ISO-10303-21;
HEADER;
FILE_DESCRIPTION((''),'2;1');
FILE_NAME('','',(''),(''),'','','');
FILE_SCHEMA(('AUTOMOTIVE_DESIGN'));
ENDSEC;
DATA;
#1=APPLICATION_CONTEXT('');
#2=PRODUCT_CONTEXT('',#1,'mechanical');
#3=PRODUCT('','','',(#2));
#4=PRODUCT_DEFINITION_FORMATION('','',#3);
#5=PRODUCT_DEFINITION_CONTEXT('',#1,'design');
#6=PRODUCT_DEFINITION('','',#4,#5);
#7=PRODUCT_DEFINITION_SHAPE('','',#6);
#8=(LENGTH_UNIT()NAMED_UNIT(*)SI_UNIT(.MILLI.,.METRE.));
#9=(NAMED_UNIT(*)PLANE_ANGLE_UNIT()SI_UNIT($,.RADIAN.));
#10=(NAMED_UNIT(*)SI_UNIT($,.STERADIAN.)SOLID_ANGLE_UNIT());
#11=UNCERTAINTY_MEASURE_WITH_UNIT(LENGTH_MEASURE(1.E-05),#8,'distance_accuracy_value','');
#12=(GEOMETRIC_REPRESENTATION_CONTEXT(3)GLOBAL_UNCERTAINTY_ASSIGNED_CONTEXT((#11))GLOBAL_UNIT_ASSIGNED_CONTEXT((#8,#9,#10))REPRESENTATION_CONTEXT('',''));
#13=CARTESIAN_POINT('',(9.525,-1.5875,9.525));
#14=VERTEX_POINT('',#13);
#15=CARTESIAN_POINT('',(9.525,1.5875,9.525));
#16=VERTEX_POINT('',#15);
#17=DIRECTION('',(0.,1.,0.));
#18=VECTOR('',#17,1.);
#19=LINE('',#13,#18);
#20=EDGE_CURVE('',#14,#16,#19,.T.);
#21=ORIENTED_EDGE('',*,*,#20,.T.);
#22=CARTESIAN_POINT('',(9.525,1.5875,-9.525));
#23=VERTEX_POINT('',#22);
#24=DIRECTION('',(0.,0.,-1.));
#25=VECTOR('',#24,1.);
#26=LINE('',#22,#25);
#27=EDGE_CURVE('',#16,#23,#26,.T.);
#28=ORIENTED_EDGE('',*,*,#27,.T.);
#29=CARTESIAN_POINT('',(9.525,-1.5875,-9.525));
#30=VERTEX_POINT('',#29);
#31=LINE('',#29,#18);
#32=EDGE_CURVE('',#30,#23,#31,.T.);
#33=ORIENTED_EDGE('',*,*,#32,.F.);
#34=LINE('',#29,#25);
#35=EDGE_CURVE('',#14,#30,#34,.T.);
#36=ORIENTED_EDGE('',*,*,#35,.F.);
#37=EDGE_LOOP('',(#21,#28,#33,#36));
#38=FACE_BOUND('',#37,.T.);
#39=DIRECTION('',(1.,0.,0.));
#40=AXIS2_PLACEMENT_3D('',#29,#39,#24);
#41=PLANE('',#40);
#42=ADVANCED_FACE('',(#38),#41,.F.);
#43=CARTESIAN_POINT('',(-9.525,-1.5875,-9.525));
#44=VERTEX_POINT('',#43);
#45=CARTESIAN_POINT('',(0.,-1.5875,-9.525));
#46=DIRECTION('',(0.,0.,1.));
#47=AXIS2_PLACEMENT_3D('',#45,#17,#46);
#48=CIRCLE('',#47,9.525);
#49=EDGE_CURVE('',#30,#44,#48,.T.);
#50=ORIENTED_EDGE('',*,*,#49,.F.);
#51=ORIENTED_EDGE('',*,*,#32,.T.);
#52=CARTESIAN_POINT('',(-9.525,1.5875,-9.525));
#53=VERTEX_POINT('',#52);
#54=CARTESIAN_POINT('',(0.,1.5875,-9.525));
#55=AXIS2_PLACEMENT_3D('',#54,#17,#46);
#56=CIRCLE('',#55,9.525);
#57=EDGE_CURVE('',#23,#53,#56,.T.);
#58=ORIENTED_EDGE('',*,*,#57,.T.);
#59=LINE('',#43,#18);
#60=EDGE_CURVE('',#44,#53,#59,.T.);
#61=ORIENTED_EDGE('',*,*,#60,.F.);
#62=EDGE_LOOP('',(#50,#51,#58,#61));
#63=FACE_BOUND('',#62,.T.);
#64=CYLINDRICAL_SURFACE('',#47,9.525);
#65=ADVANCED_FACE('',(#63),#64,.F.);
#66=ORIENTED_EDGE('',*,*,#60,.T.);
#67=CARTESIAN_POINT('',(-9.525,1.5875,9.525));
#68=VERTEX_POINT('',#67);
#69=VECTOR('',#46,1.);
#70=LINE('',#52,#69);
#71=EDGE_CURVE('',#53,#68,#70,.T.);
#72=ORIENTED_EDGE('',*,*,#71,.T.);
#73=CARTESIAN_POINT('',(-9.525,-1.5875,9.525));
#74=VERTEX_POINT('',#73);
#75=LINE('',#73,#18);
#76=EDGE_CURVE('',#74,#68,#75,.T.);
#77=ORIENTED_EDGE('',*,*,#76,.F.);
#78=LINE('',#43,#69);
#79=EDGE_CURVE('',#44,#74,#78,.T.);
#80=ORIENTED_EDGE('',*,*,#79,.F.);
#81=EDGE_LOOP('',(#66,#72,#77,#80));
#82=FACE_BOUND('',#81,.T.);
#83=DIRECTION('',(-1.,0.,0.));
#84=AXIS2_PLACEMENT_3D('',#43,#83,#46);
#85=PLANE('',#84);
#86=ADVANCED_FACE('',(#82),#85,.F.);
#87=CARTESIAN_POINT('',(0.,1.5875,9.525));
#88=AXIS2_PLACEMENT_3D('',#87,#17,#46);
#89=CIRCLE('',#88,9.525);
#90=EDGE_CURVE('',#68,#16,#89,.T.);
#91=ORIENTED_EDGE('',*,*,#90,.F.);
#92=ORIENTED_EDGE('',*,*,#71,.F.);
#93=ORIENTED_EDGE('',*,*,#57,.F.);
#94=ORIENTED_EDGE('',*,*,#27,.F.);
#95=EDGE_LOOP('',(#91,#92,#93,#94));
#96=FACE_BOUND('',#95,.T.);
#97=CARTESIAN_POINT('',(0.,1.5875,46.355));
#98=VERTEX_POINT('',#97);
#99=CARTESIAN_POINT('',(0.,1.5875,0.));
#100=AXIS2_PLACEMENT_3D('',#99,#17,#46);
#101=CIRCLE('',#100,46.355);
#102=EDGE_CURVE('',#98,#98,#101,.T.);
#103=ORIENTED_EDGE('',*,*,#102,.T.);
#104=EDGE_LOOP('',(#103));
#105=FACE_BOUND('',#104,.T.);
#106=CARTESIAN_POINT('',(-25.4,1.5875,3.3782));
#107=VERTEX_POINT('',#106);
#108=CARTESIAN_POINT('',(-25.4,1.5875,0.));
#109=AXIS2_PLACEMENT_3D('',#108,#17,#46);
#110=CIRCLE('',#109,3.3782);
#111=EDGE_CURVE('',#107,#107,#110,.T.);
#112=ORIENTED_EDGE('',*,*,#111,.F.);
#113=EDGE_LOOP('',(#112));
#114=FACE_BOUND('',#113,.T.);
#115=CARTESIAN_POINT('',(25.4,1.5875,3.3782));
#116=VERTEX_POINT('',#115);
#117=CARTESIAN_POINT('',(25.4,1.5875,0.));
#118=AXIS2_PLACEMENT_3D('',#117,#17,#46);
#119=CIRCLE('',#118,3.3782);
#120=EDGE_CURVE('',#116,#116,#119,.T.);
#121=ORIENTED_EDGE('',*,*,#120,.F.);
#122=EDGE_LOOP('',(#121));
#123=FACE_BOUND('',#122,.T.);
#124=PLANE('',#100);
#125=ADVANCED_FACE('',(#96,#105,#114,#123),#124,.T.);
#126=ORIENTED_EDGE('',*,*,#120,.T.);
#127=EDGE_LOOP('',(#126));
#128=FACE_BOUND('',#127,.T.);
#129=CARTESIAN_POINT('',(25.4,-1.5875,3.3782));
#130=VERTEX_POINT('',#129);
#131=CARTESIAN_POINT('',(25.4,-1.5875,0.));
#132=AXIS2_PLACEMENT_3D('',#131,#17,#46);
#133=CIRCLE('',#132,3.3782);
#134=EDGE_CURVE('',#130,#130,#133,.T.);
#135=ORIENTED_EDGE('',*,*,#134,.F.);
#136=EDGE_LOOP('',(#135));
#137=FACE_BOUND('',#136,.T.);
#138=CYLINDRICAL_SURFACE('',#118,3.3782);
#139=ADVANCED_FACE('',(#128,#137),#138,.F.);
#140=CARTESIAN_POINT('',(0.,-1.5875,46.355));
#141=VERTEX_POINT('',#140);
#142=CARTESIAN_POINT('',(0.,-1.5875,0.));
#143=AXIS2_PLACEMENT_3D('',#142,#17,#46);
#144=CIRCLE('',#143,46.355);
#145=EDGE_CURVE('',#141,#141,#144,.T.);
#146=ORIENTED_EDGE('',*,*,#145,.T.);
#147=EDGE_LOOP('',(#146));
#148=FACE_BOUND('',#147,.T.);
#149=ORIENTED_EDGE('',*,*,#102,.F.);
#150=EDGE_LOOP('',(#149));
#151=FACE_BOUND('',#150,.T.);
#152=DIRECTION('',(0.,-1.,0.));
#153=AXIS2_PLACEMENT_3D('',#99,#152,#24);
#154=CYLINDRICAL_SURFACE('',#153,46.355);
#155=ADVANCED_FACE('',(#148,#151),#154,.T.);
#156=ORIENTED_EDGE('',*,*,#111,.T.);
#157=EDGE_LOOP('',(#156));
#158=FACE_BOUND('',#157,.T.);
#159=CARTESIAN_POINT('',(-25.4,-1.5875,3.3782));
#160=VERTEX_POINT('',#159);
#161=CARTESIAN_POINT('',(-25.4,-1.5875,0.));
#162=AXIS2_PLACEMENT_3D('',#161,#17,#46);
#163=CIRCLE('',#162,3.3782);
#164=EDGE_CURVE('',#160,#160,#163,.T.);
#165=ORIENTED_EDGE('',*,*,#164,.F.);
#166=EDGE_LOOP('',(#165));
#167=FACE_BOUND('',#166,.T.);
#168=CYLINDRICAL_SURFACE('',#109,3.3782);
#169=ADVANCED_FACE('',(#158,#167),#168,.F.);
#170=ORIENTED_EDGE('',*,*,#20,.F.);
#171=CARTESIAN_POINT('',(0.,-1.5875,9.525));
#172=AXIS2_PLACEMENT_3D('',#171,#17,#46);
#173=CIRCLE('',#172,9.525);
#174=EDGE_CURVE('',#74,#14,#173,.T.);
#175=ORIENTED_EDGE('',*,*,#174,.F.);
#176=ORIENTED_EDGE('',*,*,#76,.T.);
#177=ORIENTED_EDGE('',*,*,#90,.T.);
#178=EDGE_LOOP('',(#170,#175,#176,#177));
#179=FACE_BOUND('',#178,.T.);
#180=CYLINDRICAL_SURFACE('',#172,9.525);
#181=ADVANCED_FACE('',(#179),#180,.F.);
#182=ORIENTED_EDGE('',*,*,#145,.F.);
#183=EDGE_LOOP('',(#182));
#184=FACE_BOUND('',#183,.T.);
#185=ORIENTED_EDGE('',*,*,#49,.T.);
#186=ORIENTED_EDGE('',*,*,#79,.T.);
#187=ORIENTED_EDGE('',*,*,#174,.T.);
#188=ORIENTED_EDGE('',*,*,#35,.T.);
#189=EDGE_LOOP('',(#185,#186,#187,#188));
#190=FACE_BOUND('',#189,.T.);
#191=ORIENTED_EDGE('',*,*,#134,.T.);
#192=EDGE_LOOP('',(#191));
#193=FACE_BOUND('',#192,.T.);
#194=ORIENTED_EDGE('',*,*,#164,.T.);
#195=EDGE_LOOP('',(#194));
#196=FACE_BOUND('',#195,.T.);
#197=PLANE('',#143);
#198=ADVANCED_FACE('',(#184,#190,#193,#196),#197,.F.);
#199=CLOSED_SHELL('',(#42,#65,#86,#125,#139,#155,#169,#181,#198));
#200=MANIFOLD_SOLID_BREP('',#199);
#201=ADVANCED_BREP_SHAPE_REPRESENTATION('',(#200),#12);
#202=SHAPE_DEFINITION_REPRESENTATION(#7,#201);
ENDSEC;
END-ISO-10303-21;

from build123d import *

# Parameters (mm, degrees)
SKETCH1_R                   = 46.355
BOSS_EXTRUDE1_DEPTH         = 1.5875
F_1_4_CLEARANCE_HOLE1_D     = 6.7564
F_1_4_CLEARANCE_HOLE1_DEPTH = 48.770172657
F_1_4_CLEARANCE_HOLE1_TIP   = 2.029827343
CUT_EXTRUDE1_DEPTH          = 4.175


with BuildPart() as part:
    # Sketch1 → Boss-Extrude1 (new body, symmetric)
    with BuildSketch(Plane(origin=(0, 0, 0), x_dir=(1, 0, 0), z_dir=(0, 1, 0))):
        Circle(SKETCH1_R)
    extrude(amount=BOSS_EXTRUDE1_DEPTH, both=True)

    # 1/4 Clearance Hole1
    with Locations(Plane(origin=(0, 1.5875, 0), x_dir=(1, 0, 0), z_dir=(0, 1, 0))):
        with Locations((25.4, 0), (-25.4, 0)):
            Hole(F_1_4_CLEARANCE_HOLE1_D / 2, depth=F_1_4_CLEARANCE_HOLE1_DEPTH)
            with Locations((0, 0, -(F_1_4_CLEARANCE_HOLE1_DEPTH + F_1_4_CLEARANCE_HOLE1_TIP / 2))):  # 118° drill point
                Cone(0, F_1_4_CLEARANCE_HOLE1_D / 2, F_1_4_CLEARANCE_HOLE1_TIP, mode=Mode.SUBTRACT)

    # Sketch4 → Cut-Extrude1 (cut, through all)
    with BuildSketch(Plane(origin=(0, 1.5875, 0), x_dir=(1, 0, 0), z_dir=(0, 1, 0))):
        with BuildLine():
            Line((9.525, 9.525), (9.525, -9.525))
            ThreePointArc((9.525, -9.525), (0, -19.05), (-9.525, -9.525))
            Line((-9.525, -9.525), (-9.525, 9.525))
            ThreePointArc((-9.525, 9.525), (0, 19.05), (9.525, 9.525))
        make_face()
    extrude(amount=-CUT_EXTRUDE1_DEPTH, mode=Mode.SUBTRACT)


solid = part.part
